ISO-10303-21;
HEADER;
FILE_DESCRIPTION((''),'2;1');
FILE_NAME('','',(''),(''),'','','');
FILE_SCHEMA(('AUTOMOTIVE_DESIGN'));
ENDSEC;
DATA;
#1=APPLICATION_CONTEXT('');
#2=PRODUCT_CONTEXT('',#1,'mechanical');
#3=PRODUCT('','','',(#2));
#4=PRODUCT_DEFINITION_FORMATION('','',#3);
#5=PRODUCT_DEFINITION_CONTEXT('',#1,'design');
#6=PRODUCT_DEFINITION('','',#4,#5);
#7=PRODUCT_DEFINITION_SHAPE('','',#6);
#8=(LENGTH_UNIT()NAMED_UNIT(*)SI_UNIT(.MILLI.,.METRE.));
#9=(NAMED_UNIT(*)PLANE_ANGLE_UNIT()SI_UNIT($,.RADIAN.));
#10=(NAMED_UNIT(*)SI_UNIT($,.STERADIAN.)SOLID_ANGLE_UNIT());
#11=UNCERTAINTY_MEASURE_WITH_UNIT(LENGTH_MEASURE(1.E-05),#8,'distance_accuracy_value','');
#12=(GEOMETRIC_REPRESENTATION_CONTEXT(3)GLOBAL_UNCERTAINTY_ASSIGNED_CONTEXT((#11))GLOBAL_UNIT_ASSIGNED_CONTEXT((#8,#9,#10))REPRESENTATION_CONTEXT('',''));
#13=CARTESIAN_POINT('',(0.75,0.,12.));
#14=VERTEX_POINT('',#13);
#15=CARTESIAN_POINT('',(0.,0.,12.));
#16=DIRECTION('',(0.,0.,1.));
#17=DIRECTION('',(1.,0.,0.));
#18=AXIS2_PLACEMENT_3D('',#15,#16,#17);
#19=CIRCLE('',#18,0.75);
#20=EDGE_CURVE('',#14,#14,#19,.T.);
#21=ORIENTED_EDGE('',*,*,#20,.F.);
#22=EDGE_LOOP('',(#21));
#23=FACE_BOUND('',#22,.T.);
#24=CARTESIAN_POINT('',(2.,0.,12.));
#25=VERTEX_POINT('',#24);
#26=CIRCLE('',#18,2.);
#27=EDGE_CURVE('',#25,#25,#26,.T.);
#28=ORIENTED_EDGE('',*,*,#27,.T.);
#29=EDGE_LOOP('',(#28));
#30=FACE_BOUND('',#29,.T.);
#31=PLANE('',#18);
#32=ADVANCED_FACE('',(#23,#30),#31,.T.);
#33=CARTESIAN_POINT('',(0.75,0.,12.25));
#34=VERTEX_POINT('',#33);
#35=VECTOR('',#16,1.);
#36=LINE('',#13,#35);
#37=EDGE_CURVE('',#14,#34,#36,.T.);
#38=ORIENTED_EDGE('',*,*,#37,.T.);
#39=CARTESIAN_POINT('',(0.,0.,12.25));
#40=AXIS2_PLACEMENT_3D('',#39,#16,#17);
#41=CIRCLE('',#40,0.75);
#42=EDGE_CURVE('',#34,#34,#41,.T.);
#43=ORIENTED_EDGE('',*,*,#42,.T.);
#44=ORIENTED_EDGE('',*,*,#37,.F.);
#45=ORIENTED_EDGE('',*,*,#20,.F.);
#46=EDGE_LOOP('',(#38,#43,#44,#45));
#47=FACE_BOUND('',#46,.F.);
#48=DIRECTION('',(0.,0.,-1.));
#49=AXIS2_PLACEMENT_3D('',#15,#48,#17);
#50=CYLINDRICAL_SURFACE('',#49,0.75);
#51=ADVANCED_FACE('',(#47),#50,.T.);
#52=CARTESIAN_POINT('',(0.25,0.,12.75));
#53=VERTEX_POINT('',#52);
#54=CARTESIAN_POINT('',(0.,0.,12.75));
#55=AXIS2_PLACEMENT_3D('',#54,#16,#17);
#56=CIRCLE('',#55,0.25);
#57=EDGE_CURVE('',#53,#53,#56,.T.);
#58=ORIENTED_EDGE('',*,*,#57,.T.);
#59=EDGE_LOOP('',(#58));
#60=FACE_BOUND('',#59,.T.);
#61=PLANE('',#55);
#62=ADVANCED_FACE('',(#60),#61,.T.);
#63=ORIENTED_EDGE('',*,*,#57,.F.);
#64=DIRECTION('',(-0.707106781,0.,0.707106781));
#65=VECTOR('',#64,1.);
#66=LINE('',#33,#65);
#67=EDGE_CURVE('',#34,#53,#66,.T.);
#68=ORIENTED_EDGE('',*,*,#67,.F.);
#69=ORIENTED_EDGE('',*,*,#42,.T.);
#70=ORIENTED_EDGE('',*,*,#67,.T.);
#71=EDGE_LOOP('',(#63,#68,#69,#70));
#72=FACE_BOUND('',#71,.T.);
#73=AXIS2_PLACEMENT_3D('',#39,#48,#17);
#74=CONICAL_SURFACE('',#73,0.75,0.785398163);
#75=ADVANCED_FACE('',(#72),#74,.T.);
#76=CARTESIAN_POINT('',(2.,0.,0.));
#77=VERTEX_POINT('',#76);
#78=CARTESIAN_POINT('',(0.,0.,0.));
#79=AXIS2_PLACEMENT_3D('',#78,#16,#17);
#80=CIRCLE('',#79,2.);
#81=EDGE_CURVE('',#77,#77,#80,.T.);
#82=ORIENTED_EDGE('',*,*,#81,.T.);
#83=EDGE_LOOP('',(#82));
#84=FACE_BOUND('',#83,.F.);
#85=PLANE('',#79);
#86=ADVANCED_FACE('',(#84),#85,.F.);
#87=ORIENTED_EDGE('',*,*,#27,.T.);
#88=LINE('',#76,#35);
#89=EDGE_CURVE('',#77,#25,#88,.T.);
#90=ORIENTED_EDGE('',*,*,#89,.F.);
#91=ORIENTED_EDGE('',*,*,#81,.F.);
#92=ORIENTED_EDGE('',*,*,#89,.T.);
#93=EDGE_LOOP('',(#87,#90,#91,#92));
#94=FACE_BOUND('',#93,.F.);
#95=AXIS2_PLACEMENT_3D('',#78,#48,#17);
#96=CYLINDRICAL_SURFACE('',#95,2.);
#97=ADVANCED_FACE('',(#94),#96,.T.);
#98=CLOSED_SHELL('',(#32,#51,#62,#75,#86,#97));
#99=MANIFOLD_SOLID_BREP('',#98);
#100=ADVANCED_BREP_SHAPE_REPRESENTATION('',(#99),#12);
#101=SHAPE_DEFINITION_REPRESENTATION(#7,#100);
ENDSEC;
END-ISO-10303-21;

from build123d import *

# Parameters (mm, degrees)
SKETCH002_R     = 2
PAD003_DEPTH    = 12
SKETCH003_R     = 0.75
PAD004_DEPTH    = 0.75
CHAMFER001_SIZE = 0.5


with BuildPart() as part:
    # Sketch002 → Pad003 (new body)
    with BuildSketch(Plane.XY):
        Circle(SKETCH002_R)
    extrude(amount=PAD003_DEPTH)

    # Sketch003 (on Face3 of Pad003) → Pad004 (join)
    with BuildSketch(Plane.XY.offset(12)):
        Circle(SKETCH003_R)
    extrude(amount=PAD004_DEPTH)

    # Chamfer001
    chamfer001_edges = [part.edges().sort_by_distance(p)[0] for p in [
        (-0.75, 0, 12.75),
    ]]
    chamfer(chamfer001_edges, length=CHAMFER001_SIZE)


solid = part.part
